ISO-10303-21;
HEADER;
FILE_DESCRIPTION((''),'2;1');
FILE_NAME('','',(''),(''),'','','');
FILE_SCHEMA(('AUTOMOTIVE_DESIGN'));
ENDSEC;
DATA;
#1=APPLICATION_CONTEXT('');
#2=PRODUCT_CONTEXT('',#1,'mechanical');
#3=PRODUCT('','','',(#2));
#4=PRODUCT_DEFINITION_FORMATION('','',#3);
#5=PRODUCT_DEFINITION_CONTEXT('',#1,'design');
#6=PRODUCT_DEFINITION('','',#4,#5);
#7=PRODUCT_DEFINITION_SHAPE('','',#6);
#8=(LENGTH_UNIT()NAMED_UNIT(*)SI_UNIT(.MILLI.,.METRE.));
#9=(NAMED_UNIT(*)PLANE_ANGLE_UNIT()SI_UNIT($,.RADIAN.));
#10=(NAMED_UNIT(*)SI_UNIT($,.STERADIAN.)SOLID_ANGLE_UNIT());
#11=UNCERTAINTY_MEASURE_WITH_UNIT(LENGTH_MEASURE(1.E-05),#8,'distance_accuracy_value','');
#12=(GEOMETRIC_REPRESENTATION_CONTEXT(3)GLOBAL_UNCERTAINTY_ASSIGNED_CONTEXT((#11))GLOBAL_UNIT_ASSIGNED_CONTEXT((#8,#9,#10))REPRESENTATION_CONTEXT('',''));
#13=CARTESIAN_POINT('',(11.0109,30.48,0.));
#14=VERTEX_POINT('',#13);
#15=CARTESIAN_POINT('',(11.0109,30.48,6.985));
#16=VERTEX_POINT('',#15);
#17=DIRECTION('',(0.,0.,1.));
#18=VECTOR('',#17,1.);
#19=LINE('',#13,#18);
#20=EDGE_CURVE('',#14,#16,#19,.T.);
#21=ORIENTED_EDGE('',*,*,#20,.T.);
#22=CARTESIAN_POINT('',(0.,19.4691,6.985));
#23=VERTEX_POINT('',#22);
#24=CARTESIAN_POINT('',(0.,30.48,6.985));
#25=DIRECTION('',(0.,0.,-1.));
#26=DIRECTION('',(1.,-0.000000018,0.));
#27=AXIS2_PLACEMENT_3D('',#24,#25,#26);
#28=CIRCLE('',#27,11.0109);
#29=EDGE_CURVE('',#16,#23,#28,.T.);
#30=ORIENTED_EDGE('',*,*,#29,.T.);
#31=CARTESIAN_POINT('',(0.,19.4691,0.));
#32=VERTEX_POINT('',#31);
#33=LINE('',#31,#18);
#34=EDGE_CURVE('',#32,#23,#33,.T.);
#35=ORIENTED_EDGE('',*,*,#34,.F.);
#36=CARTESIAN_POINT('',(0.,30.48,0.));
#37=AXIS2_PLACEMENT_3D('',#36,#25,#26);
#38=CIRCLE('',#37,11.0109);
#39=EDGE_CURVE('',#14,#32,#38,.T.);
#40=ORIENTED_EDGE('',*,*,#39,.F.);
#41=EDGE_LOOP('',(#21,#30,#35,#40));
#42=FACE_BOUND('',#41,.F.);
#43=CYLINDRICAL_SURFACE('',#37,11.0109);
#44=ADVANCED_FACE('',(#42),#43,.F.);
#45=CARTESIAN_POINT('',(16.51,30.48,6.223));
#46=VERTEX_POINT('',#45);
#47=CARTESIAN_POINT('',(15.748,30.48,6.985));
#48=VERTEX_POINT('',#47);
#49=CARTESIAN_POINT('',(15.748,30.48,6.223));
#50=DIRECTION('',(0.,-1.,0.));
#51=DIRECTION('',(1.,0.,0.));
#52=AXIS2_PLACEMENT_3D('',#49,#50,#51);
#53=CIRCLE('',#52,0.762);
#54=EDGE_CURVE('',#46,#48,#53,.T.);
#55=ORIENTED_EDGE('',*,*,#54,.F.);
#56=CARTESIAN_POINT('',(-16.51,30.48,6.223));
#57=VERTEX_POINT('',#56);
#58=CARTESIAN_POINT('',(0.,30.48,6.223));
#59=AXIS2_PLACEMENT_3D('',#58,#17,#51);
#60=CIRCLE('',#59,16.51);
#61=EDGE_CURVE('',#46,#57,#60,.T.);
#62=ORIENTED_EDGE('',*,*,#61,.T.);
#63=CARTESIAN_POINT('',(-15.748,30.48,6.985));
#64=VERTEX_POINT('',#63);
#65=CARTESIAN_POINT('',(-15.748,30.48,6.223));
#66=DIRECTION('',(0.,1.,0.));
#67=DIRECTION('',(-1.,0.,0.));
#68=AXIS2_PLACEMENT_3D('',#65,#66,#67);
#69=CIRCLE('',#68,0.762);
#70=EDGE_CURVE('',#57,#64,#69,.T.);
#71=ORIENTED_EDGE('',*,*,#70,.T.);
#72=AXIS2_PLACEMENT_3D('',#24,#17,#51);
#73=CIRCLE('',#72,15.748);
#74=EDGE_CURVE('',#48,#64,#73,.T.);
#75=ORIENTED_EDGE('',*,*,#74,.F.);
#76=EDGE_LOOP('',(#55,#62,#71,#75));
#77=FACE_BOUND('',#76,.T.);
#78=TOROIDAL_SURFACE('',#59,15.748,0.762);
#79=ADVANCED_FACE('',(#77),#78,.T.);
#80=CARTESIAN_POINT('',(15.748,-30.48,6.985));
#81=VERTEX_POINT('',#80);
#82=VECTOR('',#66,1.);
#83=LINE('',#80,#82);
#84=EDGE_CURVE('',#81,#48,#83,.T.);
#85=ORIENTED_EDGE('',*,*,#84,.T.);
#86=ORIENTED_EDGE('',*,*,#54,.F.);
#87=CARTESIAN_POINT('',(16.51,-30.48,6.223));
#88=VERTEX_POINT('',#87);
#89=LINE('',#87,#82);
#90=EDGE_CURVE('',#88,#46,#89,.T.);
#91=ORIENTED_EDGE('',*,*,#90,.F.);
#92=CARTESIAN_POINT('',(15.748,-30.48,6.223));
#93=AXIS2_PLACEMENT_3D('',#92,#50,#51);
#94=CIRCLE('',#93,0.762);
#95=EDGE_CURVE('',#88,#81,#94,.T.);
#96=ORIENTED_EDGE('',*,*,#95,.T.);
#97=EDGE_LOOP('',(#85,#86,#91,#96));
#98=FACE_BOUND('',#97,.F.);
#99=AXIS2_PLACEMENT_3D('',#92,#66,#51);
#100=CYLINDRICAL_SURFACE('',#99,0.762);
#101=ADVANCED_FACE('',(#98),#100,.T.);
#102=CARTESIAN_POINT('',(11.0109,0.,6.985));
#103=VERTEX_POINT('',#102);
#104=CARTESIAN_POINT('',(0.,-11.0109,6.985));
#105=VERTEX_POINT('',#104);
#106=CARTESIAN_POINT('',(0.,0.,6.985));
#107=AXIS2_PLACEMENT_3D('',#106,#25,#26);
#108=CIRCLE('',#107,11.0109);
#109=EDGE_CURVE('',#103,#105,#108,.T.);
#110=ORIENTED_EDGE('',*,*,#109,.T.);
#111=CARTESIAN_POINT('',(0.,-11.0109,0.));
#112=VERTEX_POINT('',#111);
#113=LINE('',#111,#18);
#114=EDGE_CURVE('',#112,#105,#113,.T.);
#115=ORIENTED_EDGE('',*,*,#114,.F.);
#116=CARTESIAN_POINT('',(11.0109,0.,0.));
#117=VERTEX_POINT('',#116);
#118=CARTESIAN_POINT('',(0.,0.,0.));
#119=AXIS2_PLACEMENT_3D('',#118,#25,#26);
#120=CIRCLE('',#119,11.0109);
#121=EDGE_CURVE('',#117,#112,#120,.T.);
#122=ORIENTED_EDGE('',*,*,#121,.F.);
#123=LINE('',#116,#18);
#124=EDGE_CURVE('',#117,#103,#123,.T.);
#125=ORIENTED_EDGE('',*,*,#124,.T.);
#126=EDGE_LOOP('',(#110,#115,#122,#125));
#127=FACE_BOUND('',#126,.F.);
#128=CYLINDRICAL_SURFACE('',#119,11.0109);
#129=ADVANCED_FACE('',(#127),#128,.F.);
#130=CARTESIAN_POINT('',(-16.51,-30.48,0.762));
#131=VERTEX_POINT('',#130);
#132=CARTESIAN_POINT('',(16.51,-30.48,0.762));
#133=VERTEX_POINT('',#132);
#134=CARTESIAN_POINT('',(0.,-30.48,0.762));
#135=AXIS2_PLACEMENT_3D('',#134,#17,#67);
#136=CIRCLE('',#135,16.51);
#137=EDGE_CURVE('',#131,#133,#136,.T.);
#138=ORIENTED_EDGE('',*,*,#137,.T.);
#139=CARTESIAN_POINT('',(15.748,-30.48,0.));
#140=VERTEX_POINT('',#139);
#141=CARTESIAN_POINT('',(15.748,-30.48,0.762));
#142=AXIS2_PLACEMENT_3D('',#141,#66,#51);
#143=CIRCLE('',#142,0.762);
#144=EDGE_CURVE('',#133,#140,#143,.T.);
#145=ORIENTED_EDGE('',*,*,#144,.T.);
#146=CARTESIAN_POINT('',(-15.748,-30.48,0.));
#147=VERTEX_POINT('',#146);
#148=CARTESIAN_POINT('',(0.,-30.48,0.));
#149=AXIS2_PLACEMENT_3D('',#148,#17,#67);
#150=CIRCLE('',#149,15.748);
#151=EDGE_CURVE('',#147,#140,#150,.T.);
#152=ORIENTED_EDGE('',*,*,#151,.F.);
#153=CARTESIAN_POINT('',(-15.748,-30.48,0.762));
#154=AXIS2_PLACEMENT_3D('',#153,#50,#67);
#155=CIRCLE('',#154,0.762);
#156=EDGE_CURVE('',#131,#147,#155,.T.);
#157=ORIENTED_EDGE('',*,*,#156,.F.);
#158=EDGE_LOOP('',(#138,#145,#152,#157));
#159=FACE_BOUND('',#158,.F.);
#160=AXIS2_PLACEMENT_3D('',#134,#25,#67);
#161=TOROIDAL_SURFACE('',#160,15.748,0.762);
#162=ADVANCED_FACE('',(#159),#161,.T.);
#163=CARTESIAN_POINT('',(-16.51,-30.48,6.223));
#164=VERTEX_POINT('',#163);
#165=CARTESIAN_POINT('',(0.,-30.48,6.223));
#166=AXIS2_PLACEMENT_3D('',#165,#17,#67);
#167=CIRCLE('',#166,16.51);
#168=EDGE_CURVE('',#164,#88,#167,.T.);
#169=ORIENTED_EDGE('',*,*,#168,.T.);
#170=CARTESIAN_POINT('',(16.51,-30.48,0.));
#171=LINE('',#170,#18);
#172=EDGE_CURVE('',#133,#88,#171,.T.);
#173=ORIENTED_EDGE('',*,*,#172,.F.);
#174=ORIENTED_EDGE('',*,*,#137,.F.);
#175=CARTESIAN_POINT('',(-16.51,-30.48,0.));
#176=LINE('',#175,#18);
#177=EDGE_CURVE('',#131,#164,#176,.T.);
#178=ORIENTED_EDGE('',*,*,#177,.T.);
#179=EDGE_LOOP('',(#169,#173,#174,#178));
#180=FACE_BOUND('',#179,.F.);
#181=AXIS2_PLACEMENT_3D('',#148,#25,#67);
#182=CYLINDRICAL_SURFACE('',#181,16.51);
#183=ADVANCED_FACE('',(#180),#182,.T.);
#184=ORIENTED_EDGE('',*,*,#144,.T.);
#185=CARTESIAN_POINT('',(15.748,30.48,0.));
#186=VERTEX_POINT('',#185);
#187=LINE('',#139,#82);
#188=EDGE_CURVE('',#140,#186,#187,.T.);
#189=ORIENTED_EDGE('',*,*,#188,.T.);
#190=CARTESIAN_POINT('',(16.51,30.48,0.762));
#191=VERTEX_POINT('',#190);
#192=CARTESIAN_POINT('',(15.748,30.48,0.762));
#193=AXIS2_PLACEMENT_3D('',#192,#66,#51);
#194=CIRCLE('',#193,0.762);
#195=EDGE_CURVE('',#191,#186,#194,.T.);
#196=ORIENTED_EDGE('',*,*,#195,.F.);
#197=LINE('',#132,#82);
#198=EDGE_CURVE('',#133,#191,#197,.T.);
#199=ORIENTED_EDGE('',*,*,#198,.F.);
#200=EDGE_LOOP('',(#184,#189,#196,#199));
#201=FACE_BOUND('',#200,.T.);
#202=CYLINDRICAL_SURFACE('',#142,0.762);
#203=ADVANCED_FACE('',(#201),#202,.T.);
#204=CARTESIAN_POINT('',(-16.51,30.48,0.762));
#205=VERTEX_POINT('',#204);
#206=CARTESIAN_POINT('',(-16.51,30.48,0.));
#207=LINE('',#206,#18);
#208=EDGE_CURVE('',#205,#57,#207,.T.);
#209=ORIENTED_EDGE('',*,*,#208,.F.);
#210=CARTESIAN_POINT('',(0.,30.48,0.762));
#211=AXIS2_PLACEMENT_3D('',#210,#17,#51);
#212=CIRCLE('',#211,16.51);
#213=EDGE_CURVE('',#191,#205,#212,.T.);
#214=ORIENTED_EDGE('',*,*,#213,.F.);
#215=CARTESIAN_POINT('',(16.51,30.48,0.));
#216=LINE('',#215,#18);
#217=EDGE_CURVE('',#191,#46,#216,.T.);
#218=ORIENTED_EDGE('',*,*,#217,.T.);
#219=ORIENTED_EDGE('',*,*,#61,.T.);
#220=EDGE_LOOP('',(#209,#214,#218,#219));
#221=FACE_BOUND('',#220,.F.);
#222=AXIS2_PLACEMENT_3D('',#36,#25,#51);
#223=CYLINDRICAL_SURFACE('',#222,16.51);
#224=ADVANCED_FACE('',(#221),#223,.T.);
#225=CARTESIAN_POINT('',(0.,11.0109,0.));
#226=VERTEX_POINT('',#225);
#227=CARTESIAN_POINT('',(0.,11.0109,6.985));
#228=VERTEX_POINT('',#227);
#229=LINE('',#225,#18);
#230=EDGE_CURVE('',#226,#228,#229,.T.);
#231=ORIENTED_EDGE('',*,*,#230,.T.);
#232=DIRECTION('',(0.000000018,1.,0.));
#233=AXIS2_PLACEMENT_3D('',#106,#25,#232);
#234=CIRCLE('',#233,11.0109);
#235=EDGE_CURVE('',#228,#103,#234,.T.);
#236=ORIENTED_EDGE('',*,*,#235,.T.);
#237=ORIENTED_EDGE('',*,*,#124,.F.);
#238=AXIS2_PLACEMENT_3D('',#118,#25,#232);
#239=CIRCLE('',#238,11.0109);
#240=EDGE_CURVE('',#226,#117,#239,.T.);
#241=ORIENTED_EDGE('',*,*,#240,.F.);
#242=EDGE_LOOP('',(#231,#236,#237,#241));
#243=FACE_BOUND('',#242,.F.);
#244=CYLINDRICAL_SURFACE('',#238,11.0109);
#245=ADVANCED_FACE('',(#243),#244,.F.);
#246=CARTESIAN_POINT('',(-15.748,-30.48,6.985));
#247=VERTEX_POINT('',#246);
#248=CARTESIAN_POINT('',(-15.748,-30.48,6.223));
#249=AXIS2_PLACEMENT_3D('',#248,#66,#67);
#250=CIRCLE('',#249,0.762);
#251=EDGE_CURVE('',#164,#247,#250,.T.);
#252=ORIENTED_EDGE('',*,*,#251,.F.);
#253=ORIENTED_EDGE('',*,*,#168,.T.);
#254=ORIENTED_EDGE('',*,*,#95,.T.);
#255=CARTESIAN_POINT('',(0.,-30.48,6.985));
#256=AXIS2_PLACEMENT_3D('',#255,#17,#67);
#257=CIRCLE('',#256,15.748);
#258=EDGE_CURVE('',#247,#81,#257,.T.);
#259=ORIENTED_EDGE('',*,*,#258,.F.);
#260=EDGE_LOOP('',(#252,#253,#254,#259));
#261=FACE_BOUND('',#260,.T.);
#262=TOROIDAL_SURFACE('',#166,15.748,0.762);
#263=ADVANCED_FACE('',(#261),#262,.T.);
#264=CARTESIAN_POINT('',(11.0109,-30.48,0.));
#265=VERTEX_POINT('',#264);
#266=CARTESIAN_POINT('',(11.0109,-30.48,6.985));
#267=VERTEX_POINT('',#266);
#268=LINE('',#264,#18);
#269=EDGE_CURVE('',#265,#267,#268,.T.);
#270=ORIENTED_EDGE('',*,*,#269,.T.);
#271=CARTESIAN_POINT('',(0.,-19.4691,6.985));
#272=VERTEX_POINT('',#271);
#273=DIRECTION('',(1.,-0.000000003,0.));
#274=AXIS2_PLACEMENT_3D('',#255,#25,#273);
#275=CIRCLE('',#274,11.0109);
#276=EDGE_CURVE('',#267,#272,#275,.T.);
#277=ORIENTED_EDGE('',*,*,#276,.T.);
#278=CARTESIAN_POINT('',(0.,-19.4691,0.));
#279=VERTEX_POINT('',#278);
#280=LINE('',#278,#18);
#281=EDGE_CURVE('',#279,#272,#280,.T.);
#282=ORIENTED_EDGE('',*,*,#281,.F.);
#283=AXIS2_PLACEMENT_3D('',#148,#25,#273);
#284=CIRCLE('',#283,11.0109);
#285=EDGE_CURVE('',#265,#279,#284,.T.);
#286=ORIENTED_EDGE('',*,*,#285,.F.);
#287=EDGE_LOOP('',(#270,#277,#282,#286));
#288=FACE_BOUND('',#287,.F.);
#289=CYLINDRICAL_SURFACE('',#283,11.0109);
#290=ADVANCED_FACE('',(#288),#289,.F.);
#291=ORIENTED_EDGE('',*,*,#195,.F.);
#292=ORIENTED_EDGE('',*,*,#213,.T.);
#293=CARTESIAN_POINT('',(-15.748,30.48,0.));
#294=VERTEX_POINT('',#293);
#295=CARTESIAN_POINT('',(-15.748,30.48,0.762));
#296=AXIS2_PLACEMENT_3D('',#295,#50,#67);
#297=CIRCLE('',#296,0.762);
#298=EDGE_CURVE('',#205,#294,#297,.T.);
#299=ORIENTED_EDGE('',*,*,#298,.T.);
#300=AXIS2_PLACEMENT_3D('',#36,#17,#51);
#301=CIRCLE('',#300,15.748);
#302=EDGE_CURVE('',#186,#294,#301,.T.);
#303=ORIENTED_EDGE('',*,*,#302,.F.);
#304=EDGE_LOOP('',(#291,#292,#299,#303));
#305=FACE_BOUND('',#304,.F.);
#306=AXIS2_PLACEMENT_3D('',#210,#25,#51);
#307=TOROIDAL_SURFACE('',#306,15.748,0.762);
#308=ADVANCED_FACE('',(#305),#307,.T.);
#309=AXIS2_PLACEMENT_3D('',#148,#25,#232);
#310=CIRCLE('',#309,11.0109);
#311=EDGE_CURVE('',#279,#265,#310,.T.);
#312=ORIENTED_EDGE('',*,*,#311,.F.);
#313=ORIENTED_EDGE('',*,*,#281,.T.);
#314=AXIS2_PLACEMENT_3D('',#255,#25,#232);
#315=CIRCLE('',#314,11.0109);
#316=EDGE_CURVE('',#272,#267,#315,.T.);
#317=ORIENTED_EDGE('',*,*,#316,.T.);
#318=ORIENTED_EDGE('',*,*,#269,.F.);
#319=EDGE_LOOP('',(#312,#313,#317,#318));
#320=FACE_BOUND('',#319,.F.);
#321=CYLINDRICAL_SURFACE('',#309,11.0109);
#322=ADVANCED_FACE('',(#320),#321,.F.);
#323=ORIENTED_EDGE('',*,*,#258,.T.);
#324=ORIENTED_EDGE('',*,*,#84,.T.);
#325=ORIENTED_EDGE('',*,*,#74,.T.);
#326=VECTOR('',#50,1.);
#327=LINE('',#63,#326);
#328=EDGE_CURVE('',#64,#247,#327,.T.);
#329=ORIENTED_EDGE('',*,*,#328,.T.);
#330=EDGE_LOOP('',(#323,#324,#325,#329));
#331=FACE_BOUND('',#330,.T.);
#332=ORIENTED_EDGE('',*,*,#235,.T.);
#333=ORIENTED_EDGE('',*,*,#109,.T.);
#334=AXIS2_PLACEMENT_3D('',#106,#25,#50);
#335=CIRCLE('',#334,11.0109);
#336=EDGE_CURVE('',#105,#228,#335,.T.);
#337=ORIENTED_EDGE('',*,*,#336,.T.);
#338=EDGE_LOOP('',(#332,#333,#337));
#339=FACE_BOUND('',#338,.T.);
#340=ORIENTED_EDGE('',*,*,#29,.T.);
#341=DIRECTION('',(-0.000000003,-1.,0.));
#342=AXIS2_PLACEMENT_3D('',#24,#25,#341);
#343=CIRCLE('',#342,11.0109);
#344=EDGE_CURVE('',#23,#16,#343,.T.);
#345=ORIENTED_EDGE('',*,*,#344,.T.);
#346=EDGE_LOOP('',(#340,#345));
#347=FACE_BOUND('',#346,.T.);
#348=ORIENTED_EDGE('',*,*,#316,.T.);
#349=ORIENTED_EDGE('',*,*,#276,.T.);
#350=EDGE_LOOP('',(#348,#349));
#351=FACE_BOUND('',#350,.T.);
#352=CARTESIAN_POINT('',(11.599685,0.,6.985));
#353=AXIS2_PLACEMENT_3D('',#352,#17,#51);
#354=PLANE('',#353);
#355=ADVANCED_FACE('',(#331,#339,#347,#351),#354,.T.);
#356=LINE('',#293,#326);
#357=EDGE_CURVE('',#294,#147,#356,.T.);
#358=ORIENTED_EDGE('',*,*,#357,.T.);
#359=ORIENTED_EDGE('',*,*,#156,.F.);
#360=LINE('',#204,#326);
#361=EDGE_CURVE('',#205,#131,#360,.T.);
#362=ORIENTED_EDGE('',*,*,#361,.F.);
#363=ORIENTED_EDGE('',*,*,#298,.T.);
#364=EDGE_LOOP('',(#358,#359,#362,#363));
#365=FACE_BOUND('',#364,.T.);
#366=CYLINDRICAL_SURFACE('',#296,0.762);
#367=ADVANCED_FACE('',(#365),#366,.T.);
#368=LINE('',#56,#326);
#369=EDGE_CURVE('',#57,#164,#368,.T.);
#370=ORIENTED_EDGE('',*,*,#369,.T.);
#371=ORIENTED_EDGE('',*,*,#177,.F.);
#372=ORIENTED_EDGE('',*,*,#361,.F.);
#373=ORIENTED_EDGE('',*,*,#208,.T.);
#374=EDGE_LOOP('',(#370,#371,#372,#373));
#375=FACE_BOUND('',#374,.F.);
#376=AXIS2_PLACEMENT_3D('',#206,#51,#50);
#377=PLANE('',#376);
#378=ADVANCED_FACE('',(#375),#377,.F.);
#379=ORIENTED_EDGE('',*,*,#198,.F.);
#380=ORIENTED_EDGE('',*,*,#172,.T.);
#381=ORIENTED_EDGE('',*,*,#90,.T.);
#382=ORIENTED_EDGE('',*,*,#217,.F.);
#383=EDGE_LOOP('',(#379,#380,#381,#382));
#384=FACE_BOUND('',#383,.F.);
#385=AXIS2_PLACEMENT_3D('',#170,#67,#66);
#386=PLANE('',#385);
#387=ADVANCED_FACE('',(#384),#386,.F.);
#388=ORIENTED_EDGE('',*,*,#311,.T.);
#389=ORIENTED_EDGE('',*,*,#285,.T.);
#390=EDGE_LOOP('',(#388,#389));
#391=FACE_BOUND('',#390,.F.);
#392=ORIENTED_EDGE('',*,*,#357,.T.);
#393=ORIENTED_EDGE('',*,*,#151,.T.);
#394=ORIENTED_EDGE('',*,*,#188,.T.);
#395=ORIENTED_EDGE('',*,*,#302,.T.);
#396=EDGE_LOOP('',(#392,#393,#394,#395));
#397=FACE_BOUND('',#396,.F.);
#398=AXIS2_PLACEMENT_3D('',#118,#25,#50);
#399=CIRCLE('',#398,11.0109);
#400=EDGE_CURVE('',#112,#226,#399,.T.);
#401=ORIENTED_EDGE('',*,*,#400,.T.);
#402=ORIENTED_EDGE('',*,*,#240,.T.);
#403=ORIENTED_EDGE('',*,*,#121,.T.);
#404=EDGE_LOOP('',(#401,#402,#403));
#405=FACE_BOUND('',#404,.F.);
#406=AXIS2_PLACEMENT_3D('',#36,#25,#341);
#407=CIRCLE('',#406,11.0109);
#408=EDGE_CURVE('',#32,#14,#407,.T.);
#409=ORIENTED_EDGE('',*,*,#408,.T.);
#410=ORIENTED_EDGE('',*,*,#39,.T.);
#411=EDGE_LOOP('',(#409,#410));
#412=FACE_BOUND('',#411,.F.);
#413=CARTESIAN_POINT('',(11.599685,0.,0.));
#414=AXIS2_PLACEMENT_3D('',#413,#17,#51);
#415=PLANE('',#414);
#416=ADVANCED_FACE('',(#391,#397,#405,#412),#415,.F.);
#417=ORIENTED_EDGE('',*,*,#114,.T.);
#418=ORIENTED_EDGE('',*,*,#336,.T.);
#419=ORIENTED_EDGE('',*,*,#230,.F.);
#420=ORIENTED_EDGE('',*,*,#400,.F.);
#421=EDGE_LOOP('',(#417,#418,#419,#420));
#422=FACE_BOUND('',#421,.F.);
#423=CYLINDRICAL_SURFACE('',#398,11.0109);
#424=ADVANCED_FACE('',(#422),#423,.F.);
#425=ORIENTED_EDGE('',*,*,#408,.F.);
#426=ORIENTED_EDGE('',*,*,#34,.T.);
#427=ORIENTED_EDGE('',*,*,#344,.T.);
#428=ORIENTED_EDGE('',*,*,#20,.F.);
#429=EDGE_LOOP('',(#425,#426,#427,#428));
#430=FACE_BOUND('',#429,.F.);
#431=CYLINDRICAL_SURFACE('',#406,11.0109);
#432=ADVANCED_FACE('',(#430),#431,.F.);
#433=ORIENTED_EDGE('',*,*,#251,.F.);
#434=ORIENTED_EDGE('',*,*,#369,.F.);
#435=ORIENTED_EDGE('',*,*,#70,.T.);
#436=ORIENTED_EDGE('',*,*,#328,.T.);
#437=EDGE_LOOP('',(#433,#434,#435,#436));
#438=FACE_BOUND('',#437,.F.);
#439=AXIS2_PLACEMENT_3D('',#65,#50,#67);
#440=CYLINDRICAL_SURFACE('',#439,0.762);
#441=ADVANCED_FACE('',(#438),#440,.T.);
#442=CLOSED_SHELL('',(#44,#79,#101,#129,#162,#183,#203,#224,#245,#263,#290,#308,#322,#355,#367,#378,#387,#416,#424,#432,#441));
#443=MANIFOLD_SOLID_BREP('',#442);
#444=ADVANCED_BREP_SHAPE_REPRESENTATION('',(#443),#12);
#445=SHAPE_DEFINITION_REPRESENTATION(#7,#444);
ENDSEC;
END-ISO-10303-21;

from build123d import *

# Parameters (mm, degrees)
F1_DEPTH = 6.985
F2_R     = 0.762
F3_R     = 0.762


with BuildPart() as f1:
    # F0 (on Top) → F1 (new body)
    with BuildSketch(Plane.XY):
        with BuildLine():
            ThreePointArc((0, 11.0109), (7.785882, 7.785882), (11.0109, 0))
            ThreePointArc((11.0109, 0), (7.785882, -7.785882), (0, -11.0109))
            Line((0, -11.0109), (0, -13.97))
            ThreePointArc((0, -13.97), (11.674333, -18.805667), (16.51, -30.48))
            Line((16.51, -30.48), (16.51, 30.48))
            ThreePointArc((16.51, 30.48), (11.674333, 18.805667), (0, 13.97))
            Line((0, 13.97), (0, 11.0109))
        make_face()
        with BuildLine():
            ThreePointArc((0, -11.0109), (-11.0109, 0), (0, 11.0109))
            Line((0, 11.0109), (0, 13.97))
            ThreePointArc((0, 13.97), (-11.674333, 18.805667), (-16.51, 30.48))
            Line((-16.51, 30.48), (-16.51, -30.48))
            ThreePointArc((-16.51, -30.48), (-11.674333, -18.805667), (0, -13.97))
            Line((0, -13.97), (0, -11.0109))
        make_face()
        with BuildLine():
            ThreePointArc((11.0109, 30.48), (-7.785882, 38.265882), (0, 19.4691))
            ThreePointArc((0, 19.4691), (7.785882, 22.694118), (11.0109, 30.48))
        make_face()
        with BuildLine():
            ThreePointArc((-16.51, 30.48), (-11.674333, 18.805667), (0, 13.97))
            ThreePointArc((0, 13.97), (11.674333, 18.805667), (16.51, 30.48))
            ThreePointArc((16.51, 30.48), (0, 46.99), (-16.51, 30.48))
        make_face()
        with BuildLine():
            ThreePointArc((11.0109, 30.48), (7.785882, 22.694118), (0, 19.4691))
            ThreePointArc((0, 19.4691), (-7.785882, 38.265882), (11.0109, 30.48))
        make_face(mode=Mode.SUBTRACT)
        with BuildLine():
            ThreePointArc((11.0109, -30.48), (7.785882, -22.694118), (0, -19.4691))
            ThreePointArc((0, -19.4691), (-7.785882, -38.265882), (11.0109, -30.48))
        make_face()
        with BuildLine():
            ThreePointArc((16.51, -30.48), (11.674333, -18.805667), (0, -13.97))
            ThreePointArc((0, -13.97), (-11.674333, -18.805667), (-16.51, -30.48))
            ThreePointArc((-16.51, -30.48), (0, -46.99), (16.51, -30.48))
        make_face()
        with BuildLine():
            ThreePointArc((11.0109, -30.48), (-7.785882, -38.265882), (0, -19.4691))
            ThreePointArc((0, -19.4691), (7.785882, -22.694118), (11.0109, -30.48))
        make_face(mode=Mode.SUBTRACT)
    extrude(amount=F1_DEPTH)

    # F2
    f2_edges = [f1.edges().sort_by_distance(p)[0] for p in [
        (16.51, 0, 6.985),
    ]]
    fillet(f2_edges, radius=F2_R)

    # F3
    f3_edges = [f1.edges().sort_by_distance(p)[0] for p in [
        (0, -46.99, 0),
        (16.51, 0, 0),
        (-16.51, 30.48, 3.1115),
        (-16.51, 0, 0),
    ]]
    fillet(f3_edges, radius=F3_R)


solid = f1.part
